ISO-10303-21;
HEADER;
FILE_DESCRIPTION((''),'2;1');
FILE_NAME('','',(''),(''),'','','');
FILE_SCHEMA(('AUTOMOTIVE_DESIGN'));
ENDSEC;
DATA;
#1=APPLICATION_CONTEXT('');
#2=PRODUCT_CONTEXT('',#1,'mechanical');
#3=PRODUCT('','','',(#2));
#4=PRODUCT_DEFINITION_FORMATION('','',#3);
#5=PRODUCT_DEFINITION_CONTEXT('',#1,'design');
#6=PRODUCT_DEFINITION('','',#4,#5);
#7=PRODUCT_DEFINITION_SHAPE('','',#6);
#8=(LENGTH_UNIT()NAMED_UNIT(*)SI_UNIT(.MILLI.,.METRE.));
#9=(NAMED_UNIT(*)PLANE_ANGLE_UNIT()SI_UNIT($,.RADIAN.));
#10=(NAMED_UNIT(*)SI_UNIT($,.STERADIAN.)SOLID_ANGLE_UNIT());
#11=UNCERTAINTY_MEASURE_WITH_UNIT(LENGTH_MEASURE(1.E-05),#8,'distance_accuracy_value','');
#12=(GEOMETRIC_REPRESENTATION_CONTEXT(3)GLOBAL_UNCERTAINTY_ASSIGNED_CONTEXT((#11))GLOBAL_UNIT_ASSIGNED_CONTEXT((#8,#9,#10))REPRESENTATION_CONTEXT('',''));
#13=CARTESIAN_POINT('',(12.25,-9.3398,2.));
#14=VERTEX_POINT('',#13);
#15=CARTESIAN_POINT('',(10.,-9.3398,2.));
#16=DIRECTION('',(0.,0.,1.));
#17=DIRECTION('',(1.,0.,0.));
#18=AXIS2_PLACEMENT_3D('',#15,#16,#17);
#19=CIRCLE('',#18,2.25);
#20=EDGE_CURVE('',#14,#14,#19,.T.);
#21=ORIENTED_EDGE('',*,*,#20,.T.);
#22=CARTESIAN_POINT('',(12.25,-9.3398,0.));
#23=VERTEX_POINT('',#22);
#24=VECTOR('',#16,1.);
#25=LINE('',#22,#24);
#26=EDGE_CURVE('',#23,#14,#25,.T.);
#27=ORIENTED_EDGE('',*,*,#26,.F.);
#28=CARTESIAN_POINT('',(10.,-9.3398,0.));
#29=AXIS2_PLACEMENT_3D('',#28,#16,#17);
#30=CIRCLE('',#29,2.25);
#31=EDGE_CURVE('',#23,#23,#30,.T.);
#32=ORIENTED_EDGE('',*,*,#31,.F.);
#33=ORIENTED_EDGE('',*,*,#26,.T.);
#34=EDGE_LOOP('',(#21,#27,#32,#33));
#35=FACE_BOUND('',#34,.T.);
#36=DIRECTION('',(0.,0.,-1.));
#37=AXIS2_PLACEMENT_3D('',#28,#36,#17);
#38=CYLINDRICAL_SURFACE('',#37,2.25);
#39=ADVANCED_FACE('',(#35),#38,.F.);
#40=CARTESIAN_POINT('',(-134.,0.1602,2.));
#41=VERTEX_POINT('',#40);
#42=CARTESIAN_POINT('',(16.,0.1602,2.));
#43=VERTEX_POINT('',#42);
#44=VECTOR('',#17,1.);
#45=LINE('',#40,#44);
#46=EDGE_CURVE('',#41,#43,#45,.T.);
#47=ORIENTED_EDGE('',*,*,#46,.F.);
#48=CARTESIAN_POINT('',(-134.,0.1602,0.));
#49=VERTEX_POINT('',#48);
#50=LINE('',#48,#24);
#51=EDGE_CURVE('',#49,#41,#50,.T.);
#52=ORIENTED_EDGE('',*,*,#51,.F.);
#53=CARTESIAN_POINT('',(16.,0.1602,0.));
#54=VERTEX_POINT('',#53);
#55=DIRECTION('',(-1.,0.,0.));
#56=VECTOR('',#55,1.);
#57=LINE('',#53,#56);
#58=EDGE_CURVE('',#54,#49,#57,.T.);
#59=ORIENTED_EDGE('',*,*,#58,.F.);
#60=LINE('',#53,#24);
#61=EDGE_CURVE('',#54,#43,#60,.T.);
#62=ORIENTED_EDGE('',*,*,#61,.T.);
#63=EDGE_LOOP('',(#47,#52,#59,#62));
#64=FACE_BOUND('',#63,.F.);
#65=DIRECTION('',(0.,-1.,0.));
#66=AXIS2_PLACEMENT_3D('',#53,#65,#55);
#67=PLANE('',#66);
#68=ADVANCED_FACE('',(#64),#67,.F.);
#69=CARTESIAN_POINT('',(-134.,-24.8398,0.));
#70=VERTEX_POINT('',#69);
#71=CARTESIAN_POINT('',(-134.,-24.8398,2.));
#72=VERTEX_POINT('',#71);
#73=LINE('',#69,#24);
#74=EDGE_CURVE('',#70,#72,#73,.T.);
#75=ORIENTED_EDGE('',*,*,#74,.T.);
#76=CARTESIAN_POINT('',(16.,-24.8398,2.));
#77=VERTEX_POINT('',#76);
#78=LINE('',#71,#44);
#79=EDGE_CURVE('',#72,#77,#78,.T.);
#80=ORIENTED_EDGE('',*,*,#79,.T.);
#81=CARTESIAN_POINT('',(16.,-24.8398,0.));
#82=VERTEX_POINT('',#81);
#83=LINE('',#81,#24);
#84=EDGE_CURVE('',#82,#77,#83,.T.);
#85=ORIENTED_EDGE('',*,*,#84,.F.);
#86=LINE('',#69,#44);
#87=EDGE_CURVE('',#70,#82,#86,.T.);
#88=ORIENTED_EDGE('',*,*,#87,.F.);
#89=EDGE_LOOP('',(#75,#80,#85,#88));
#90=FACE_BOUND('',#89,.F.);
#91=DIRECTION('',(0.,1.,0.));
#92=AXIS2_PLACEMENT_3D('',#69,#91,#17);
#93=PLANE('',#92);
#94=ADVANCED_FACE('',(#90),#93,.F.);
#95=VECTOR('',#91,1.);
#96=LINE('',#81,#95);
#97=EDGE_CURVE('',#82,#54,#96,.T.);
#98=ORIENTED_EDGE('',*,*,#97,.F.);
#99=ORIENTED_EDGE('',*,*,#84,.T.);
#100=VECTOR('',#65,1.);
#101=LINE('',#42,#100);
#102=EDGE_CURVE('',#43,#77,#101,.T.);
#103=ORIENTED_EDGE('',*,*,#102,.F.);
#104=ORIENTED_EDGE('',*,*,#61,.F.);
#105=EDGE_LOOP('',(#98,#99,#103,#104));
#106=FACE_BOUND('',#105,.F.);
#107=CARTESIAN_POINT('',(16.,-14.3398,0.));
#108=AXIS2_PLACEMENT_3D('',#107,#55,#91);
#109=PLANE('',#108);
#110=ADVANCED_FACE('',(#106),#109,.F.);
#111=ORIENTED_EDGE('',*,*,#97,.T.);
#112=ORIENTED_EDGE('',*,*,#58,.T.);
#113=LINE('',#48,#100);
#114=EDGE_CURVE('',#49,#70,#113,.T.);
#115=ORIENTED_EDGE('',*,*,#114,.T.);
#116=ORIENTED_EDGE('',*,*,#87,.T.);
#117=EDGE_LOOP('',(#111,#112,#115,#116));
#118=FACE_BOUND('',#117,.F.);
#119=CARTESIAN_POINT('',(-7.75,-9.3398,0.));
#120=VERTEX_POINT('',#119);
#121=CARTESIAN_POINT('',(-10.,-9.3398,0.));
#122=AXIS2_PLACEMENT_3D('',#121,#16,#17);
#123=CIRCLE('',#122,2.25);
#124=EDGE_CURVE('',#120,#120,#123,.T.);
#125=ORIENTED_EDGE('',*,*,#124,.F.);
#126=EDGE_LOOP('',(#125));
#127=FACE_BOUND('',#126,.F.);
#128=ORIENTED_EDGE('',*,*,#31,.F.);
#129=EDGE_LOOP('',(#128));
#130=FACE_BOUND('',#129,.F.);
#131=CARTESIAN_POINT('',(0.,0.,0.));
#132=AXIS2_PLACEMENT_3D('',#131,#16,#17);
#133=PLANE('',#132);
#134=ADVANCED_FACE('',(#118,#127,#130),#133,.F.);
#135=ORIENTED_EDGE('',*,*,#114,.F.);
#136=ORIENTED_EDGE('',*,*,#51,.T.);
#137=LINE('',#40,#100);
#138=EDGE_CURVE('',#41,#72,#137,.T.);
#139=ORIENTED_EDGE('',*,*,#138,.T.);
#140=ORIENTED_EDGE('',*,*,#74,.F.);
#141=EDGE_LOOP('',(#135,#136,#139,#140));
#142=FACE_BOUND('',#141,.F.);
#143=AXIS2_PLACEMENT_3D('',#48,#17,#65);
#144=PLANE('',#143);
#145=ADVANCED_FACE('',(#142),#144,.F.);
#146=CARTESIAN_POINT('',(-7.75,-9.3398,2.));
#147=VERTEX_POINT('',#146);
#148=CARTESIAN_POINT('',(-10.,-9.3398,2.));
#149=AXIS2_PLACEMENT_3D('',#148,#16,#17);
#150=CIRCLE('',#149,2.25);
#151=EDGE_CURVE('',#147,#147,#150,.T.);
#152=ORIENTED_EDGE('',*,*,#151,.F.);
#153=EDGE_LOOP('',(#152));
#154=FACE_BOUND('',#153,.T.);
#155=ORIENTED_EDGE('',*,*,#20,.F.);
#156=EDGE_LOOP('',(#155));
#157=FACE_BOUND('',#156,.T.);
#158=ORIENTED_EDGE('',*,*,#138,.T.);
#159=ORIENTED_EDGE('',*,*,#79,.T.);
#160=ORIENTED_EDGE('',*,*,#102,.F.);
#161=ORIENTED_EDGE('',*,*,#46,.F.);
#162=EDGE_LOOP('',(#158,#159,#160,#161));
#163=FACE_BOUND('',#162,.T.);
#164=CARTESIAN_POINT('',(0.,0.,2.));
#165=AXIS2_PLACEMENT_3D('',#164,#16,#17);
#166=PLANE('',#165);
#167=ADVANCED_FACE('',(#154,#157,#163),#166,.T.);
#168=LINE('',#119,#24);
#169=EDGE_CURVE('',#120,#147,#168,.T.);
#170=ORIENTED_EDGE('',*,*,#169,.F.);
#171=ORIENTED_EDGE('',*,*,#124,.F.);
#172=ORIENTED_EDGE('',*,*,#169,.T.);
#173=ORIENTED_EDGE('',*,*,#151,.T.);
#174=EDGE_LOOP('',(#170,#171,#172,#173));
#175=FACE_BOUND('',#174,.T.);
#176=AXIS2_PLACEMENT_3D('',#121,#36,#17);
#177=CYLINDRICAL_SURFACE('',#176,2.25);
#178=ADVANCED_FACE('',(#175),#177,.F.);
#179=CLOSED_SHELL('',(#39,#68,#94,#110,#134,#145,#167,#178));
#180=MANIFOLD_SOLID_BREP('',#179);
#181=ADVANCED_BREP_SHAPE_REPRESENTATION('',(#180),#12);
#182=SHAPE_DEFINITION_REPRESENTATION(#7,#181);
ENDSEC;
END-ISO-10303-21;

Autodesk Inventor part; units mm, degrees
ref_plane "YZ Plane" through (0, 0, 0) normal (1, 0, 0) x (0, 1, 0)
ref_plane "XZ Plane" through (0, 0, 0) normal (0, 1, 0) x (-1, 0, 0)
ref_plane "XY Plane" through (0, 0, 0) normal (0, 0, 1) x (1, 0, 0)
sketch "スケッチ1" plane through (0, 0, 0) normal (0, 0, 1) x (1, 0, 0)
  circle A0 centre (10, -9.3398) radius 2.25 projected
  circle A1 centre (-10, -9.3398) radius 2.25 projected
  line L0 (16, -14.3398) -> (16, 14.6602) projected
  line L1 (16, 14.6602) -> (4.899, 14.6602) projected
  arc A2 (-4.899, 14.6602) -> (4.899, 14.6602) centre (0, 15.6602) ccw projected
  line L2 (-4.899, 14.6602) -> (-16, 14.6602) projected
  line L3 (-16, 14.6602) -> (-16, -14.3398) projected
  line L4 (-16, -14.3398) -> (16, -14.3398) projected
  line L5 (16, 0.1602) -> (-134, 0.1602)
  line L6 (-134, 0.1602) -> (-134, -24.8398)
  line L7 (-134, -24.8398) -> (16, -24.8398)
  line L8 (16, -24.8398) -> (16, 0.1602)
  point P0 (0, 0)
  dimension "d0" = 150
  dimension "d1" = 25
extrude "押し出し1" add sketch "スケッチ1" along normal blind 2 contours L4 L3 L5 L0 | L8 L7 L6 L5 L3 L4
